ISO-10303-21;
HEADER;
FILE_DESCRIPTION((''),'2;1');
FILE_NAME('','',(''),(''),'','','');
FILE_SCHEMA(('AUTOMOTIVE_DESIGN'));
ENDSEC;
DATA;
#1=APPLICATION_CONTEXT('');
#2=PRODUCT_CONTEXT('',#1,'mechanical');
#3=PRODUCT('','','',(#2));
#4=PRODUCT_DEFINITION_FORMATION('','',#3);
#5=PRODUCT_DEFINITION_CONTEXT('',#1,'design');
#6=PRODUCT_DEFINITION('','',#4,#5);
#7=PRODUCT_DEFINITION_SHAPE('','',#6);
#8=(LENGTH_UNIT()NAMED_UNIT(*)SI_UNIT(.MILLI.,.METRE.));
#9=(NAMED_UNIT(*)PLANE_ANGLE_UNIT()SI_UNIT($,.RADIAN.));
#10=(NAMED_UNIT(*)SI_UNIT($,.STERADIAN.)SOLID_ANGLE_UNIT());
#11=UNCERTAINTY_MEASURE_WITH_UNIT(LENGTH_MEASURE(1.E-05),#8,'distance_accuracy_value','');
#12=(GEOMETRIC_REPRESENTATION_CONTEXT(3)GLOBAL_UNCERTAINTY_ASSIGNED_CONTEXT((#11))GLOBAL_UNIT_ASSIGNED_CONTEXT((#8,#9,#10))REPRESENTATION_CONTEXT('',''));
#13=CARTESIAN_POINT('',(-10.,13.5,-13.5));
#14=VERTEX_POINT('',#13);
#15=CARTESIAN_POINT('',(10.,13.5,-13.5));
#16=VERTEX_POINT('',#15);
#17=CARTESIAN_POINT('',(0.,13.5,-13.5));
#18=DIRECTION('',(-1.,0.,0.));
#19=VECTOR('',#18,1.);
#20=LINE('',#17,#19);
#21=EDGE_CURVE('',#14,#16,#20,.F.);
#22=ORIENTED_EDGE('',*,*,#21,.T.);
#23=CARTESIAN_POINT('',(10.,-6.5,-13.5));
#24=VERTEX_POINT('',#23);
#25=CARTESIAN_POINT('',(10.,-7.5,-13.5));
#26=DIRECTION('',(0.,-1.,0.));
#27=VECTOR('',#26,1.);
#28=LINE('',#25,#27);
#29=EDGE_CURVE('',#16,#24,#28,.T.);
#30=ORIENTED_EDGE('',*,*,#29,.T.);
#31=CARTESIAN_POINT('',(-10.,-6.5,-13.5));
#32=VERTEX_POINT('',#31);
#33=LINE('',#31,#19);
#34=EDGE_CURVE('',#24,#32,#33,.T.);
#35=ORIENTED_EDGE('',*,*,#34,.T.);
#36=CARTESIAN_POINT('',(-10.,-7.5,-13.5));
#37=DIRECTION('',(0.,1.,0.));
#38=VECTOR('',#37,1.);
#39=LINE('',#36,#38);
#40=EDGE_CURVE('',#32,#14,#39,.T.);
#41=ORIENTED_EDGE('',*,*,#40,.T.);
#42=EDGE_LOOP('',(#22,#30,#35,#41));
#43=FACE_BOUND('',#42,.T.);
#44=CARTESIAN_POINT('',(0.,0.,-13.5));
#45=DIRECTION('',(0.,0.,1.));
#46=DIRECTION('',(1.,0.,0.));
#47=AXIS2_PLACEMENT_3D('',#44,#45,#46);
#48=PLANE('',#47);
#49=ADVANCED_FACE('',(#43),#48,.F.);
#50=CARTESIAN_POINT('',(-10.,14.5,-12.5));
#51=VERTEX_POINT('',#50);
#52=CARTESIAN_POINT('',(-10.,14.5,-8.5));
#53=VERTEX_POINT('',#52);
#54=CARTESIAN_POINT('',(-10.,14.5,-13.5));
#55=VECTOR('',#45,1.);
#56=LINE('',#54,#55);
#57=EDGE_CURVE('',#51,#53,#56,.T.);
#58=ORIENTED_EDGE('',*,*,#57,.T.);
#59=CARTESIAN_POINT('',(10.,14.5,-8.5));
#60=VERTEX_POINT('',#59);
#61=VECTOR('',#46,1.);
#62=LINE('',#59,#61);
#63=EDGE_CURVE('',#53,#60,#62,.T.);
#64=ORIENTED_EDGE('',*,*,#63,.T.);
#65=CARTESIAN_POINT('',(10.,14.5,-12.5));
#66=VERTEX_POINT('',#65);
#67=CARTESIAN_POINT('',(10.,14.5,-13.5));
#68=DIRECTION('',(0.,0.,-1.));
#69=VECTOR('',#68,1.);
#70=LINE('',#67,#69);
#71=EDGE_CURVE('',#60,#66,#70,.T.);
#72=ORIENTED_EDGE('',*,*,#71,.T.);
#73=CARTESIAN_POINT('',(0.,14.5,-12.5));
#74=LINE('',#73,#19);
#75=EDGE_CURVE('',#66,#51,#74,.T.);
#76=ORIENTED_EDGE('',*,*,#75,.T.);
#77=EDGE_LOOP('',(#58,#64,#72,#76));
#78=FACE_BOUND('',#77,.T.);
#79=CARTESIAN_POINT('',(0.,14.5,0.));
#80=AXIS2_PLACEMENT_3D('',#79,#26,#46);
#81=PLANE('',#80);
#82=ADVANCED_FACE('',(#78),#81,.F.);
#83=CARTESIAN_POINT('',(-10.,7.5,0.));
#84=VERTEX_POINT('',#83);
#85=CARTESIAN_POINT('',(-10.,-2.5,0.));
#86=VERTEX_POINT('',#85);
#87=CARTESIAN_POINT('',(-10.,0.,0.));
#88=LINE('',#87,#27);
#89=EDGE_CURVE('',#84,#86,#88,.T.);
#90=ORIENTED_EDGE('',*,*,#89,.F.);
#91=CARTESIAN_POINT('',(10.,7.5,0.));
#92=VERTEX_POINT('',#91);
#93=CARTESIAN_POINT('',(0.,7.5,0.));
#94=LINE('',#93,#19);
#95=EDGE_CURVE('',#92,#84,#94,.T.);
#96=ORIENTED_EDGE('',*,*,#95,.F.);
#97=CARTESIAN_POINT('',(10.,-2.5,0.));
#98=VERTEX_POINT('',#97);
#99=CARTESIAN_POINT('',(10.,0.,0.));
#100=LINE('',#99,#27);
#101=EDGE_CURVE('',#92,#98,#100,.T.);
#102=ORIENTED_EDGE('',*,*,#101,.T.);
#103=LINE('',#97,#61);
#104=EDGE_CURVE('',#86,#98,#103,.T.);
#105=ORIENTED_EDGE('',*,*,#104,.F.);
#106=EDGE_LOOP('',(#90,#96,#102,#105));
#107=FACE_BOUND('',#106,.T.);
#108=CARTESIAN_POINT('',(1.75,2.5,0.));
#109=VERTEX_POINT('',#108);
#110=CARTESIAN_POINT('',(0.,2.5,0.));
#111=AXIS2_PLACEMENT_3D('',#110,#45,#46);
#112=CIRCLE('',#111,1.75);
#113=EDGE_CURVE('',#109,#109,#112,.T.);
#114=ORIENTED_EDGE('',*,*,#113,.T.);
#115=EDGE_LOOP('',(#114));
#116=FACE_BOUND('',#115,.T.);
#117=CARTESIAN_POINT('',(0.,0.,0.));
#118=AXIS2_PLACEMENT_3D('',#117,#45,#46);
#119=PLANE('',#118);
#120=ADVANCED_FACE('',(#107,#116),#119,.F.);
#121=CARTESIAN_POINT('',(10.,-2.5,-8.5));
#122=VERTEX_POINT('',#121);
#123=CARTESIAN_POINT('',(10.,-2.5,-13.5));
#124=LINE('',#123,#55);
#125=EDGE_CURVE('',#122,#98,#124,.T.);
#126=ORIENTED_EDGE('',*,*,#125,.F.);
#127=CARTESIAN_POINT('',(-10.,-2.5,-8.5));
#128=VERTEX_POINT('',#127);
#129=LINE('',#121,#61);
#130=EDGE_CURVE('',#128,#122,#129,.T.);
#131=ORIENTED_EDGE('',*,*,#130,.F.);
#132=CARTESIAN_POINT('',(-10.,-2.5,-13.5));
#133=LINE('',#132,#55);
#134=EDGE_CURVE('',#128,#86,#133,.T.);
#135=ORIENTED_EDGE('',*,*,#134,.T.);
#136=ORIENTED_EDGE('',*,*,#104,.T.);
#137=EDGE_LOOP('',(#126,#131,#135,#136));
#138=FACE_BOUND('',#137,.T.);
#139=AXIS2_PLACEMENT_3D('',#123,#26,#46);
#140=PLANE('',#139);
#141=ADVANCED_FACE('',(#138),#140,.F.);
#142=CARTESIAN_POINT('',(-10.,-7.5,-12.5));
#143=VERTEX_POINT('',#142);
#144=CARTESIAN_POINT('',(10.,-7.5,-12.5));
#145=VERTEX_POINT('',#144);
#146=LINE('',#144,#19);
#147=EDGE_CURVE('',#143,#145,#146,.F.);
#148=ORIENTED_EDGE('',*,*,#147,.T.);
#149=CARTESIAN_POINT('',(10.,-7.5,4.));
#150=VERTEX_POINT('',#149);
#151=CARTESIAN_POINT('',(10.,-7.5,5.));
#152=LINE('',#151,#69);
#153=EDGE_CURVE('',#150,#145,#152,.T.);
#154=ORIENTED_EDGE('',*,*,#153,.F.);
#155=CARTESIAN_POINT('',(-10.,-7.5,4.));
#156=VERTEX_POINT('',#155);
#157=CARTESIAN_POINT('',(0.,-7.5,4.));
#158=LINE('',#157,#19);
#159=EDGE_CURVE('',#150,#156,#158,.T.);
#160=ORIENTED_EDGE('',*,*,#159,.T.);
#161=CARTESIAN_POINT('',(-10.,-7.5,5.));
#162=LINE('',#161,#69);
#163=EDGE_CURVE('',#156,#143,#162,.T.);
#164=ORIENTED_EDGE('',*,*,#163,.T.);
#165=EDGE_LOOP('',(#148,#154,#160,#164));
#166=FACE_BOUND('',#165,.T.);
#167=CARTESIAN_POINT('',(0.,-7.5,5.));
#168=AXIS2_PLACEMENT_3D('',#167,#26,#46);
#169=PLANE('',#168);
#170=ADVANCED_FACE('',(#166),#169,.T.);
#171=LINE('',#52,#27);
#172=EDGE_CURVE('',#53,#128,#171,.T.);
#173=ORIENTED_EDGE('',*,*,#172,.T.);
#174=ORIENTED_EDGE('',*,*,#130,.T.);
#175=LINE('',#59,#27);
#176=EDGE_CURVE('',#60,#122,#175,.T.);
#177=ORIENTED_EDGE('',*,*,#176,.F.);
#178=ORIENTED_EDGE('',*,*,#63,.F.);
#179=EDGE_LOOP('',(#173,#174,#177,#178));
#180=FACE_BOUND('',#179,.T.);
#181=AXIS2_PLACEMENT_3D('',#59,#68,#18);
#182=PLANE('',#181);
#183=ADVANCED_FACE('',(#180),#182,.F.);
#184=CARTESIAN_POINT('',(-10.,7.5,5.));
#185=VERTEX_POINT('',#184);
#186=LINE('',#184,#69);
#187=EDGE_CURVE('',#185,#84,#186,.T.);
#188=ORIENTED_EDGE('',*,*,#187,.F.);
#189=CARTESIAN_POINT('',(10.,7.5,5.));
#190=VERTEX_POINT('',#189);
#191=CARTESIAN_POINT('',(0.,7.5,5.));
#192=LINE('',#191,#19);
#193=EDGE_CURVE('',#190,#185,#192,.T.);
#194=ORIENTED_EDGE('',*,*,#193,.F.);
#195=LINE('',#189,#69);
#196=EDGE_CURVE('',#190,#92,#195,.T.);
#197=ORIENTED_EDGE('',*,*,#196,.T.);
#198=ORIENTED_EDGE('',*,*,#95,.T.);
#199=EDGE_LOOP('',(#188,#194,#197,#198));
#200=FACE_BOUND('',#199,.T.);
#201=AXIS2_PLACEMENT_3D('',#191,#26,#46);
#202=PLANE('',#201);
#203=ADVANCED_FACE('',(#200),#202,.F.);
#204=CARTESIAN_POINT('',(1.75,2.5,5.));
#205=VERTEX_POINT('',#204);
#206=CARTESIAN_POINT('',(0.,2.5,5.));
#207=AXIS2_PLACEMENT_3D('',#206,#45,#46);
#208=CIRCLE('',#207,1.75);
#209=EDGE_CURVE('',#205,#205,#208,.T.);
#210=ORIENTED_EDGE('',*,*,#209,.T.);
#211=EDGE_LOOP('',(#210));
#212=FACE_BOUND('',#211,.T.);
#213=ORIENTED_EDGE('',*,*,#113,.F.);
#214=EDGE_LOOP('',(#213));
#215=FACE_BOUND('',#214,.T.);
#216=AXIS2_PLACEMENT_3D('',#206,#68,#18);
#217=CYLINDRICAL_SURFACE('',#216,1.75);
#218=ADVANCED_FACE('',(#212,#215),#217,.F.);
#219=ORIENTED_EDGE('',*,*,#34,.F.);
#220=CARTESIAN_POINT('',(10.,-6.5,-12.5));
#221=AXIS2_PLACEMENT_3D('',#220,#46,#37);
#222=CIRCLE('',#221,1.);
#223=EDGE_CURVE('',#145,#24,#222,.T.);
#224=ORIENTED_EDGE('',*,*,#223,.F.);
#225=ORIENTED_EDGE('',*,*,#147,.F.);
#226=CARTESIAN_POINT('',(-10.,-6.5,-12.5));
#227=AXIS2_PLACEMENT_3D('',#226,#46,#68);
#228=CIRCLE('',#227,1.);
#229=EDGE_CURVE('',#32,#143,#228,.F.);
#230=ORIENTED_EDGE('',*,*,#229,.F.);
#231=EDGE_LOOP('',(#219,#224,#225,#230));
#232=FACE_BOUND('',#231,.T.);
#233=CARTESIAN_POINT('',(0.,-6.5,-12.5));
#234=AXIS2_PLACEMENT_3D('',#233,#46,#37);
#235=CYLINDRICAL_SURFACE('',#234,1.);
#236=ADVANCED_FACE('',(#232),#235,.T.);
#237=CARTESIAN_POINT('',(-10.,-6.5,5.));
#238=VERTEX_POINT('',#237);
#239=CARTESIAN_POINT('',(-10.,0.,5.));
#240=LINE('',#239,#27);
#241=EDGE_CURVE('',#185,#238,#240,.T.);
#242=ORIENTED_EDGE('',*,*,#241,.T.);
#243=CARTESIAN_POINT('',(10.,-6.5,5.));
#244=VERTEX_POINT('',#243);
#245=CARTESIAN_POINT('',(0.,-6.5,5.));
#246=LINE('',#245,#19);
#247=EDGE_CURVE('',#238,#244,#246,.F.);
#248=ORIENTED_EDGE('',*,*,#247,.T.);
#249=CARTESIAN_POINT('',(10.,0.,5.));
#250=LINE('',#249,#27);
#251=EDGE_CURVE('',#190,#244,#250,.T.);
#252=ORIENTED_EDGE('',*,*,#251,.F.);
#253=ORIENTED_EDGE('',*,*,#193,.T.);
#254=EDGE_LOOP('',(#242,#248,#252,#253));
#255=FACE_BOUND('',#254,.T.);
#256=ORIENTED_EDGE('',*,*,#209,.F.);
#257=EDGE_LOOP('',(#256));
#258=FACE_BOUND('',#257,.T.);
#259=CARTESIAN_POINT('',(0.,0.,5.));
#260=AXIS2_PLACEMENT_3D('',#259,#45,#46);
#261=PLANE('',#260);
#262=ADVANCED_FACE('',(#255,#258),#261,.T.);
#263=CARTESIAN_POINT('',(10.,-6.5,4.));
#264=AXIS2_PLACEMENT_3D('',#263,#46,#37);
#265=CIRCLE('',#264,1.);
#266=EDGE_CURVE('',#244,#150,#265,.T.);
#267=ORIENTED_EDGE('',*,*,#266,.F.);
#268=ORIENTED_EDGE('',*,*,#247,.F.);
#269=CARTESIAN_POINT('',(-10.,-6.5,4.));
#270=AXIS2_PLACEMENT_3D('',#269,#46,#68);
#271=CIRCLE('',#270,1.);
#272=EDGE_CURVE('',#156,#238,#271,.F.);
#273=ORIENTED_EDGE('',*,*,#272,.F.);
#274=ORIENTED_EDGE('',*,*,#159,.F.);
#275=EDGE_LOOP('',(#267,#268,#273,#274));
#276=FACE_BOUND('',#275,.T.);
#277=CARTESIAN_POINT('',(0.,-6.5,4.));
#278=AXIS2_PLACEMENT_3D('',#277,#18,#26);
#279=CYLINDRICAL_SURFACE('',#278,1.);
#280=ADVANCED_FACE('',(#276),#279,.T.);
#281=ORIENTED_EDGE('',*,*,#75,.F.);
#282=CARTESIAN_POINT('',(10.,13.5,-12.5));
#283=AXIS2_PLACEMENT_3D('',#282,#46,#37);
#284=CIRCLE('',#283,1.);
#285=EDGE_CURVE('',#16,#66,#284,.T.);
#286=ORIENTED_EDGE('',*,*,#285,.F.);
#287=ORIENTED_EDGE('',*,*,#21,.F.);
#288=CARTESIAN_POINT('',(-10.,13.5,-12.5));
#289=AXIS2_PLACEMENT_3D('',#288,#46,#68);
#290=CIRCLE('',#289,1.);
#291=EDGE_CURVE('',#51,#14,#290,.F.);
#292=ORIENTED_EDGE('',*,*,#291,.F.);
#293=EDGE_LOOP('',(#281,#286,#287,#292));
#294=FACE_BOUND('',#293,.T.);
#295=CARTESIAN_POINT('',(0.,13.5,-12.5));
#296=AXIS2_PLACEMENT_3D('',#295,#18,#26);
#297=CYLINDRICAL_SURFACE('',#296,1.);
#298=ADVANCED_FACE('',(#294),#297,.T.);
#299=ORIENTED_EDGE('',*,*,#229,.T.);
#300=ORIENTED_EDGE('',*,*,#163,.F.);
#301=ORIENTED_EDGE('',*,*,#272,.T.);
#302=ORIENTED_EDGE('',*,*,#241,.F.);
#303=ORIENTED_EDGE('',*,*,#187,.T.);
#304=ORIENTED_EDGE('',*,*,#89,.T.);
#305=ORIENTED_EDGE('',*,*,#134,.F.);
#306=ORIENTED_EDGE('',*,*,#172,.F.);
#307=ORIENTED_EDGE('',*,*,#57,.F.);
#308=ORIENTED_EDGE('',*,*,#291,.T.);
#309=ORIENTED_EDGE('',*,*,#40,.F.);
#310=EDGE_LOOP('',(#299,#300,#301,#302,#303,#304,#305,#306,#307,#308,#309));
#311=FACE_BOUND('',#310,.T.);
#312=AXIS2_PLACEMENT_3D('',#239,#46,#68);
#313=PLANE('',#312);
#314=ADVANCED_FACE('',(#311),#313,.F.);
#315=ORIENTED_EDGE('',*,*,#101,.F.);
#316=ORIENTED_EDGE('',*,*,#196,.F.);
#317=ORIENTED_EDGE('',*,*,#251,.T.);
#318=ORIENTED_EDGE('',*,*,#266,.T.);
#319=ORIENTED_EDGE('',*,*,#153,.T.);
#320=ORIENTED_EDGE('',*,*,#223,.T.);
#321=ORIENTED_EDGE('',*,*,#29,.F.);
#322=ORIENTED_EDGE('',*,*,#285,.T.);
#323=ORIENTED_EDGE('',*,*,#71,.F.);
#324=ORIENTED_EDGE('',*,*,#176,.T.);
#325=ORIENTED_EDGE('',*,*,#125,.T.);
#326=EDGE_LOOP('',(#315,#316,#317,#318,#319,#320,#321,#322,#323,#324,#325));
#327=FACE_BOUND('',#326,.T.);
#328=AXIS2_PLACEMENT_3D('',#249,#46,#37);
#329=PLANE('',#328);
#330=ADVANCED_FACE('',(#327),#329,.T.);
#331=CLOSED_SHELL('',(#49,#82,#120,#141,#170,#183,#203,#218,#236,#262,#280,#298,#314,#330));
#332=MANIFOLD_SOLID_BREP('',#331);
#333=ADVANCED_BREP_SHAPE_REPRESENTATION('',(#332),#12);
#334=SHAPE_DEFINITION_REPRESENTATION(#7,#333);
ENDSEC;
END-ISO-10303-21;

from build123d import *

# Parameters (mm, degrees)
SCHIZZO1_W                   = 20
SCHIZZO1_H                   = 15
SCHIZZO1_R                   = 1.75
ESTRUSIONE_ESTRUSIONE1_DEPTH = 5
SCHIZZO3_W                   = 20
SCHIZZO3_H                   = 5
ESTRUSIONE_ESTRUSIONE2_DEPTH = 13.5
SCHIZZO4_W                   = 20
SCHIZZO4_H                   = 5
ESTRUSIONE_ESTRUSIONE3_DEPTH = 17
RACCORDO1_R                  = 1


with BuildPart() as part:
    # Schizzo1 → Estrusione-Estrusione1 (new body)
    with BuildSketch(Plane.XY):
        Rectangle(SCHIZZO1_W, SCHIZZO1_H)
        with Locations((0, 2.5)):
            Circle(SCHIZZO1_R, mode=Mode.SUBTRACT)
    extrude(amount=ESTRUSIONE_ESTRUSIONE1_DEPTH)

    # Schizzo3 → Estrusione-Estrusione2 (add)
    with BuildSketch(Plane(origin=(0, 0, 0), x_dir=(-1, 0, 0), z_dir=(0, 0, -1))):
        with Locations((0, -5)):
            Rectangle(SCHIZZO3_W, SCHIZZO3_H)
    extrude(amount=ESTRUSIONE_ESTRUSIONE2_DEPTH)

    # Schizzo4 → Estrusione-Estrusione3 (add)
    with BuildSketch(Plane(origin=(0, -2.5, 0), x_dir=(1, 0, 0), z_dir=(0, 1, 0))):
        with Locations((0, 11)):
            Rectangle(SCHIZZO4_W, SCHIZZO4_H)
    extrude(amount=ESTRUSIONE_ESTRUSIONE3_DEPTH)

    # Raccordo1
    raccordo1_edges = [part.edges().sort_by_distance(p)[0] for p in [
        (0, -7.5, 5),
        (0, -7.5, -13.5),
        (0, 14.5, -13.5),
    ]]
    fillet(raccordo1_edges, radius=RACCORDO1_R)


solid = part.part
